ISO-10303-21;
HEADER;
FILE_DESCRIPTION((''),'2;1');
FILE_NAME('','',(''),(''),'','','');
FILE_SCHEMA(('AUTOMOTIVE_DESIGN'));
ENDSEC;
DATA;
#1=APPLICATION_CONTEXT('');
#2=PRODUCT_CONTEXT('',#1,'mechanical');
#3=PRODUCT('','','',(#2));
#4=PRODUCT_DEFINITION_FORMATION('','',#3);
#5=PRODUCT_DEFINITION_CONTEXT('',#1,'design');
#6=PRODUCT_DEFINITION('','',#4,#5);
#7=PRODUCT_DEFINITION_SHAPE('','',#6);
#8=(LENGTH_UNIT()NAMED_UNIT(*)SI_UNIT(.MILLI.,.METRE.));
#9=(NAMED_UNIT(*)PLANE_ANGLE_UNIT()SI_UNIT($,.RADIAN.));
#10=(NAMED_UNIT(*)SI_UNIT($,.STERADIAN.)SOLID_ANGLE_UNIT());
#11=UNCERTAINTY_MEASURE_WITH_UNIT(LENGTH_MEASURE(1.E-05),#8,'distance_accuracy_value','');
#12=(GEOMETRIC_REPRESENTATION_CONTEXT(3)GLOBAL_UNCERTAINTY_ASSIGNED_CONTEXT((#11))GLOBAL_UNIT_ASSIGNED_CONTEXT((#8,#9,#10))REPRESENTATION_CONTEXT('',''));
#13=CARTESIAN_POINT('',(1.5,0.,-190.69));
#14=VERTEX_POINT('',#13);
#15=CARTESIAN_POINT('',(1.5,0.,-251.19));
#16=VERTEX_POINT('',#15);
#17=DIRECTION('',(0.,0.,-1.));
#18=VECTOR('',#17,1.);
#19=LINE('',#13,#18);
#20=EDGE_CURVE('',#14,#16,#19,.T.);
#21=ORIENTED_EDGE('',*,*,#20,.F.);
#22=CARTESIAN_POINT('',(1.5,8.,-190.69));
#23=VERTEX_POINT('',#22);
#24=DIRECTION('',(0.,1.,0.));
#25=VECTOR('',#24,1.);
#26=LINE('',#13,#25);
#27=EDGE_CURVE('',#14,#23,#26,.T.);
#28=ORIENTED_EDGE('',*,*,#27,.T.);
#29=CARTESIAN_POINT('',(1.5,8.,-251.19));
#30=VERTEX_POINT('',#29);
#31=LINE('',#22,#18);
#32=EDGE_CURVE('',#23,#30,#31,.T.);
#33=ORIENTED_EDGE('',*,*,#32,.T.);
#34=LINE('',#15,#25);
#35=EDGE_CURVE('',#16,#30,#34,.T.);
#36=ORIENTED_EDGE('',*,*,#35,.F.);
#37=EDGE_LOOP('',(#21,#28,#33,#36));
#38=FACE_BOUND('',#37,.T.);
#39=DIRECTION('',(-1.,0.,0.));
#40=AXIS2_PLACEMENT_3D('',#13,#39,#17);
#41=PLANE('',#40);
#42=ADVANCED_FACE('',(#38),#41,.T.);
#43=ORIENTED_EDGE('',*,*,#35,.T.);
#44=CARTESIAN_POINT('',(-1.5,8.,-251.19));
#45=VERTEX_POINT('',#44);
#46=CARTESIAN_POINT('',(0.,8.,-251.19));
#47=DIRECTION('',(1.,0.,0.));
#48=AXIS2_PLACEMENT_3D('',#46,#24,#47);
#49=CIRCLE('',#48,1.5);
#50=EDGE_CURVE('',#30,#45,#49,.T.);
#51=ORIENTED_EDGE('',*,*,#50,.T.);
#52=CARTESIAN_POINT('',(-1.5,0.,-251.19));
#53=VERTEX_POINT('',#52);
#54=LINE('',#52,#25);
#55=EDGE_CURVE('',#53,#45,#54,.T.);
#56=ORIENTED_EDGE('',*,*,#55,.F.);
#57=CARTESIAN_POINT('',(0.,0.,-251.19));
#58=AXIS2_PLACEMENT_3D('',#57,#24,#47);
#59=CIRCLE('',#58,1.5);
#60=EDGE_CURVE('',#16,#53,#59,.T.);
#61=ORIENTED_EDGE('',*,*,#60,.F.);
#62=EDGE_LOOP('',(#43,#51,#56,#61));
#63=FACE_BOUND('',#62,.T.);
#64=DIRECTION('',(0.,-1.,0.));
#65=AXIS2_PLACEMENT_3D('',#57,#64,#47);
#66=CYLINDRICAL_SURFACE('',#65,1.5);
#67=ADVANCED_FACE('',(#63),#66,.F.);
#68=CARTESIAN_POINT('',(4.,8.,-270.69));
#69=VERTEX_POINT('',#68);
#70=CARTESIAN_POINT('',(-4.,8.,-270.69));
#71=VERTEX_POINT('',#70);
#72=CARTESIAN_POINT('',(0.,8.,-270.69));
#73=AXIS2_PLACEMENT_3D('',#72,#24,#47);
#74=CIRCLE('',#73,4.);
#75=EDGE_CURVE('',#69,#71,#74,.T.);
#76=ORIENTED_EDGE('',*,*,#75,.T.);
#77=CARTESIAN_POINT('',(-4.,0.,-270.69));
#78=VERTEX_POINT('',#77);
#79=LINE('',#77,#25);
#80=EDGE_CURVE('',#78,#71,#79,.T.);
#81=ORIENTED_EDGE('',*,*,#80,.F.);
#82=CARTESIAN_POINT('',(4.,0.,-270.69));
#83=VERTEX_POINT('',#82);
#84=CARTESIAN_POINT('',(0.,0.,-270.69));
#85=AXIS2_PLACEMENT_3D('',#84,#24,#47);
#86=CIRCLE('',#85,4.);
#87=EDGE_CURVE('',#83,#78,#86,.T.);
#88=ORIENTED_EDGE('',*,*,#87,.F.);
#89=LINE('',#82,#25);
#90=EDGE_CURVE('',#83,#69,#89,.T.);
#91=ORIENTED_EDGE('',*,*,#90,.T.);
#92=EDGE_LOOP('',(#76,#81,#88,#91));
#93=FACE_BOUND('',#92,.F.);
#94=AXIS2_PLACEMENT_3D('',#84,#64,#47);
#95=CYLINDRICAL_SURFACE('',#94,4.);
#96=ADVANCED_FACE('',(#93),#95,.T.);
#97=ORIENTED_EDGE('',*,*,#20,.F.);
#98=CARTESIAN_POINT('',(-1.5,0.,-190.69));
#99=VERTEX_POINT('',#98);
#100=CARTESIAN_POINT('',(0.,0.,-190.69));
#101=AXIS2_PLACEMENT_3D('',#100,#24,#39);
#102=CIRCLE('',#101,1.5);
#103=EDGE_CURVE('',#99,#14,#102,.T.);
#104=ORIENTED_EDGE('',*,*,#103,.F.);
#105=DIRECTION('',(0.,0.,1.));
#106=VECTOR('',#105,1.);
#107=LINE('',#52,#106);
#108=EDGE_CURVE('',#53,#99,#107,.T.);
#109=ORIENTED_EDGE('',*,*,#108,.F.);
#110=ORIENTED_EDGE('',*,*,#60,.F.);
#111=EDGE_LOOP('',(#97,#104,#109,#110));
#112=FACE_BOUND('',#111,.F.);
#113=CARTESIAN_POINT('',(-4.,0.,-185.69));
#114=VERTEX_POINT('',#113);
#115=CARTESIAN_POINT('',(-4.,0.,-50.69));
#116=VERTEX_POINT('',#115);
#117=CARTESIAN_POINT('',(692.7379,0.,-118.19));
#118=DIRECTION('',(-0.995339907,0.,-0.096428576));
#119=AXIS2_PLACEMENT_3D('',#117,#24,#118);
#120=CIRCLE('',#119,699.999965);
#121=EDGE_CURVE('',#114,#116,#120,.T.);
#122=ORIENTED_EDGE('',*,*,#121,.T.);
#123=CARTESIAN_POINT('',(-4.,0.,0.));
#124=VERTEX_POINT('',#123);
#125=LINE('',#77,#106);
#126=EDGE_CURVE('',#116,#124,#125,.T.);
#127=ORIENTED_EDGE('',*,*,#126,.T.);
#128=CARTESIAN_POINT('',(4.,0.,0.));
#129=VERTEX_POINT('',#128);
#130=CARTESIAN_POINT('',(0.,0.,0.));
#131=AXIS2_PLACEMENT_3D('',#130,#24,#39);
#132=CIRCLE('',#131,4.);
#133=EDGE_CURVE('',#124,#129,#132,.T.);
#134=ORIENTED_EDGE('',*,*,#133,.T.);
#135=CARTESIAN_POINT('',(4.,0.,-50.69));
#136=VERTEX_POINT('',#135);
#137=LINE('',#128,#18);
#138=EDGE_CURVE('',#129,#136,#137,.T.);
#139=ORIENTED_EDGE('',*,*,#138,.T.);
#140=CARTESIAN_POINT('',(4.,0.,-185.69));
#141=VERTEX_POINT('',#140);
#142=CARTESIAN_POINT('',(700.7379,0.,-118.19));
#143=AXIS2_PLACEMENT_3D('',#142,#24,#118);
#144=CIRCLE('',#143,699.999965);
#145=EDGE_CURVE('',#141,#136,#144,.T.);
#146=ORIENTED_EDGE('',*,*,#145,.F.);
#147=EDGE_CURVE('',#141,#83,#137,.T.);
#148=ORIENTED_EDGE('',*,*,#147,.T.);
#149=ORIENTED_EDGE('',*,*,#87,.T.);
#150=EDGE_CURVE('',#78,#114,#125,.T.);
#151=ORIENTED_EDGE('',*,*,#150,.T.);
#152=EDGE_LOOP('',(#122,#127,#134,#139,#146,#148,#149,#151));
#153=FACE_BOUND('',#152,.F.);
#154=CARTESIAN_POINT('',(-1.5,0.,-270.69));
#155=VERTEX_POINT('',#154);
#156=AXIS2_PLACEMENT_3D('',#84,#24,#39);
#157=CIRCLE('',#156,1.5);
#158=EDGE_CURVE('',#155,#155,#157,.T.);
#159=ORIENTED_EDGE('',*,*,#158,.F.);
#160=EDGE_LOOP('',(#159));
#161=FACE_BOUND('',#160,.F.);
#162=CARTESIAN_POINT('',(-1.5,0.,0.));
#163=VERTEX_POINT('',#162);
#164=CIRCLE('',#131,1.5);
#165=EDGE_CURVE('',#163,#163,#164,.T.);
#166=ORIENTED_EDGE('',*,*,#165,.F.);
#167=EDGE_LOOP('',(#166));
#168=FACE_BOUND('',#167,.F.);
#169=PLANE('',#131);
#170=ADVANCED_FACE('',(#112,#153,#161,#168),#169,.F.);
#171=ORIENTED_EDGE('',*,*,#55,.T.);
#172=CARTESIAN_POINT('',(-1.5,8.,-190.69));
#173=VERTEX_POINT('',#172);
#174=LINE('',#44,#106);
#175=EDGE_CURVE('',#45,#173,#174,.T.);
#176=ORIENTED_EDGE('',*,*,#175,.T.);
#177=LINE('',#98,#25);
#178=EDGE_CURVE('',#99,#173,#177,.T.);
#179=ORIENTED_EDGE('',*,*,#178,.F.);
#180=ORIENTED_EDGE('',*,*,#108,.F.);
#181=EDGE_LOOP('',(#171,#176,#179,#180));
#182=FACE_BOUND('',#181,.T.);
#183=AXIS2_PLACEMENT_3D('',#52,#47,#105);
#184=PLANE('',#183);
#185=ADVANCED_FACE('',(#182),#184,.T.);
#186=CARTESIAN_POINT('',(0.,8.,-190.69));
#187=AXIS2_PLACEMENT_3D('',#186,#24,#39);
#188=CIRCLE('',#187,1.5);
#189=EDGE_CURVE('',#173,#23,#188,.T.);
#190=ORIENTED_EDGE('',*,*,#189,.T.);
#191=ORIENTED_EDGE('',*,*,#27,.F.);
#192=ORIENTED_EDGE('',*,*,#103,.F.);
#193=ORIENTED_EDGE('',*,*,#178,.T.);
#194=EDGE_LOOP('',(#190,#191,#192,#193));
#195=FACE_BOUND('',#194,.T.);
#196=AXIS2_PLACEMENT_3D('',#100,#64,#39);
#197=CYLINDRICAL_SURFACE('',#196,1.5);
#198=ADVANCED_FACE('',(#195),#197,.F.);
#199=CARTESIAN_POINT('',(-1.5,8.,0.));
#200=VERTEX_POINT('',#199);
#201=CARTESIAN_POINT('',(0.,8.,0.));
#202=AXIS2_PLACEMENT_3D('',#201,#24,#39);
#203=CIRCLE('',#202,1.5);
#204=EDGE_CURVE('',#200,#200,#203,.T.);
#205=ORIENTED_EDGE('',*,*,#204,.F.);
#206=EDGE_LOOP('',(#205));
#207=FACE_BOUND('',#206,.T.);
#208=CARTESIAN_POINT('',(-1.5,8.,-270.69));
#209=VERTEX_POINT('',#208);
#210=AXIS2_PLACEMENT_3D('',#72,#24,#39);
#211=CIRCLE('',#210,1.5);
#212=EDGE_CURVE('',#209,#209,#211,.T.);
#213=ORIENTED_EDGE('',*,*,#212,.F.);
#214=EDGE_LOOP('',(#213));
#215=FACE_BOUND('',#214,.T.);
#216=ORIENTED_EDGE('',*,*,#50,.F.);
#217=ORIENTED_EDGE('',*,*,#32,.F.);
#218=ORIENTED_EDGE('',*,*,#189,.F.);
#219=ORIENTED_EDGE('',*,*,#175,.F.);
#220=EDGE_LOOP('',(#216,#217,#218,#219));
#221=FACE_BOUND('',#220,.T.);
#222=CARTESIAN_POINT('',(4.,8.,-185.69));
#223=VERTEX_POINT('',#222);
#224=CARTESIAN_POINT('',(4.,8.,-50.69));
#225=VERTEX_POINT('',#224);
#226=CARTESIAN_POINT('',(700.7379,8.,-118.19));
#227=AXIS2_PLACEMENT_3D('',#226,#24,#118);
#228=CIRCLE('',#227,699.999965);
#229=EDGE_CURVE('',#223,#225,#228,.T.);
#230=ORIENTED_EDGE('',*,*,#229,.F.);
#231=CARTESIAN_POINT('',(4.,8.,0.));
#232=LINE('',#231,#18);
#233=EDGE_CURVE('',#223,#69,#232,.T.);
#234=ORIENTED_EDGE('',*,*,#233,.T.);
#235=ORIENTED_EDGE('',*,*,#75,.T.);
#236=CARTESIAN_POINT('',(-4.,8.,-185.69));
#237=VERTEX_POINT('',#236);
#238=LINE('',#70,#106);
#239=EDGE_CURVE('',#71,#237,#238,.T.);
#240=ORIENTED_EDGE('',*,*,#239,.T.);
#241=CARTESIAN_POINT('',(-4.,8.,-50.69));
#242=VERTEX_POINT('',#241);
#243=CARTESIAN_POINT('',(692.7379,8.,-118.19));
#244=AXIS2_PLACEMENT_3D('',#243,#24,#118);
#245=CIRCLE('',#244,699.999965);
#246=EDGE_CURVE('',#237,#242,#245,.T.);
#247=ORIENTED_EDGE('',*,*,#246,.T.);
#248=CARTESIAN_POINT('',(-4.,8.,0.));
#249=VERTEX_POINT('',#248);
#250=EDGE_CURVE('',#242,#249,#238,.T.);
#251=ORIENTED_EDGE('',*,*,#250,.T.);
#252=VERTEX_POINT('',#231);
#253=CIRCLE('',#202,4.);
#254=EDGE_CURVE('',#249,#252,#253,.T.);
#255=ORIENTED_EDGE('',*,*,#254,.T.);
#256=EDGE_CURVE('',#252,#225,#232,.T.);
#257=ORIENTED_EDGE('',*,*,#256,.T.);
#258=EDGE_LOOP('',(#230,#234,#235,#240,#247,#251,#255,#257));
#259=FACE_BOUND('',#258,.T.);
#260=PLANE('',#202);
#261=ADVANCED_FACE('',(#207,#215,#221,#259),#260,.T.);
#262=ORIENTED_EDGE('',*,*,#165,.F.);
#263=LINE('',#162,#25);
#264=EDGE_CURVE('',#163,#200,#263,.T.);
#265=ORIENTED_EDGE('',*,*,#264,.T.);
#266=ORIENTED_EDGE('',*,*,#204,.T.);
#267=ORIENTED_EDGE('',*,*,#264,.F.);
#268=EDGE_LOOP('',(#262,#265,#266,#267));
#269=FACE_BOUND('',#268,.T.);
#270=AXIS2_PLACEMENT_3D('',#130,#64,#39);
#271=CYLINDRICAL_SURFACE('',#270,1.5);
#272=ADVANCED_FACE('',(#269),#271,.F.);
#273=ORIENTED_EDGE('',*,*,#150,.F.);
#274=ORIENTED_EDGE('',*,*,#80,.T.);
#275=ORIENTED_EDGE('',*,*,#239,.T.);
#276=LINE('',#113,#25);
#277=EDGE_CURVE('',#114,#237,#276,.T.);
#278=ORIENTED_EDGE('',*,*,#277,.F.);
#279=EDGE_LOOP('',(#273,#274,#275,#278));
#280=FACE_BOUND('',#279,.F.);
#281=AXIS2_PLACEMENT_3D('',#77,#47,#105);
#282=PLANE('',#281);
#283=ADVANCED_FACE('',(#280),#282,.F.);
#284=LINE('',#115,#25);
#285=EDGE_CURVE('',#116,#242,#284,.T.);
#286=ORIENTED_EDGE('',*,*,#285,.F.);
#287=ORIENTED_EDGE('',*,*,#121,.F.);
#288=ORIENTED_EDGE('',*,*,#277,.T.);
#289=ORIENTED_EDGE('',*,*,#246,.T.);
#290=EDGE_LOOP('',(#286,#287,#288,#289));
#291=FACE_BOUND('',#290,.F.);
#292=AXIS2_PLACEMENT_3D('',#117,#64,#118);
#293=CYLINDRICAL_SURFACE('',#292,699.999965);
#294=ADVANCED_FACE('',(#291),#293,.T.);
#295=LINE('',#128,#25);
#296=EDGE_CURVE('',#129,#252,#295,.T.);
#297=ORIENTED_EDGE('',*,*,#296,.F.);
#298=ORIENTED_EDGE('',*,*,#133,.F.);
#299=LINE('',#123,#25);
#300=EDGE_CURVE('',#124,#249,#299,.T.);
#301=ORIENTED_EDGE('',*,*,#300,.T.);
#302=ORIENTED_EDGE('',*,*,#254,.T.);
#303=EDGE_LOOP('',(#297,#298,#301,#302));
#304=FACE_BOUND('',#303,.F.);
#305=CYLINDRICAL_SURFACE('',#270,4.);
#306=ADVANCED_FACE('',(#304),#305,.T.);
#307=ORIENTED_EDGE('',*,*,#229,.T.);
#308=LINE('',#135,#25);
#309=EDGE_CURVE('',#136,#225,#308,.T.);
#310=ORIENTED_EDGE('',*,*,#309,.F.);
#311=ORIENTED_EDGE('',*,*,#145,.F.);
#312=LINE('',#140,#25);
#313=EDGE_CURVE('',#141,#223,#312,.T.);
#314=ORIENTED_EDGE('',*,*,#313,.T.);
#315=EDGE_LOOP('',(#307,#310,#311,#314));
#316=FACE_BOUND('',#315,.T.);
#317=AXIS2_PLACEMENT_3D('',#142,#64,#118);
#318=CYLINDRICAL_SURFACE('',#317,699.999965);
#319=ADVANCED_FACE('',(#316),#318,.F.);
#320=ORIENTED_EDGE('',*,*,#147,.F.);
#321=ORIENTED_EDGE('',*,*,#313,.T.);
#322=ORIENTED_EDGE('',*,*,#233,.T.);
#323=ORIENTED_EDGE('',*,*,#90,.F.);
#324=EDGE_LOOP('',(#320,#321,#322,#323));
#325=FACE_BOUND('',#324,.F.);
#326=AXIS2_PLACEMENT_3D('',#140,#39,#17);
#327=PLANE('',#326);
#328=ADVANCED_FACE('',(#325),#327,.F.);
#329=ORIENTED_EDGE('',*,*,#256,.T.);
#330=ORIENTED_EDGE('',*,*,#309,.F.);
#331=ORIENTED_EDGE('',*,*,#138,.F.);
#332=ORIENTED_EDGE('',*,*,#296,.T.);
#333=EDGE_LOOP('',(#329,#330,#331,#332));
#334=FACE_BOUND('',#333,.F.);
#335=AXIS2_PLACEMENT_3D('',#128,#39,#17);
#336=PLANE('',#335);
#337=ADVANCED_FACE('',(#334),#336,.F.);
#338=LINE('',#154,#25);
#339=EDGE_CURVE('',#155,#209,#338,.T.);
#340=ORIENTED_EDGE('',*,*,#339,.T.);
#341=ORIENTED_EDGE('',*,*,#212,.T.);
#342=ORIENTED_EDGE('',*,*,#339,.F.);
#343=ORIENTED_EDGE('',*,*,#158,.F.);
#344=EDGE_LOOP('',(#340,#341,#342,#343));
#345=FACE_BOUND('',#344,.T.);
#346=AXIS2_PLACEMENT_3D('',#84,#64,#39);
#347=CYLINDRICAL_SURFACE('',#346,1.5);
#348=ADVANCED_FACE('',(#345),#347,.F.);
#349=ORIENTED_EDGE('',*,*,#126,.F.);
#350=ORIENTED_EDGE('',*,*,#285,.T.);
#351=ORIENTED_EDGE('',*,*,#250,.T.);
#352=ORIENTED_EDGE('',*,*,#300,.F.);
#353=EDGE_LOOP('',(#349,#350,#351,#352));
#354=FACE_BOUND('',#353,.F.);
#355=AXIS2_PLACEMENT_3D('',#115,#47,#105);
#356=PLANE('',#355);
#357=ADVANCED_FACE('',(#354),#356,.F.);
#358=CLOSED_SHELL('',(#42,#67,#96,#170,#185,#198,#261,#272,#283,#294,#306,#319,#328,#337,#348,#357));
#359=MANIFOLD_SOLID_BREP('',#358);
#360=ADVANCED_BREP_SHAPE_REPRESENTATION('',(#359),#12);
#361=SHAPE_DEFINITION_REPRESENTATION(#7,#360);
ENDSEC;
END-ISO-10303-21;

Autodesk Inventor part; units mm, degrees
ref_plane "XZ Plane" through (0, 0, 0) normal (0, 1, 0) x (-1, 0, 0)
ref_plane "XY Plane" through (0, 0, 0) normal (0, 0, 1) x (1, 0, 0)
sketch "Sketch1" plane through (0, 0, 0) normal (0, 1, 0) x (-1, 0, 0)
  line L0 (0, 0) -> (0, -270.69) construction
  line L1 (-4, 0) -> (-4, -270.69)
  line L2 (4, -270.69) -> (4, 0)
  arc A0 (4, 0) -> (-4, 0) centre (0, 0) ccw
  arc A1 (-4, -270.69) -> (4, -270.69) centre (0, -270.69) ccw
  circle A2 centre (0, 0) radius 1.5
  circle A3 centre (0, -270.69) radius 1.5
  line L3 (0, -251.19) -> (0, -190.69) construction
  line L4 (1.5, -251.19) -> (1.5, -190.69)
  line L5 (-1.5, -190.69) -> (-1.5, -251.19)
  arc A4 (-1.5, -251.19) -> (1.5, -251.19) centre (0, -251.19) ccw
  arc A5 (1.5, -190.69) -> (-1.5, -190.69) centre (0, -190.69) ccw
  arc A6 (-4, -185.69) -> (-4, -50.69) centre (-700.7379, -118.19) ccw
  arc A7 (4, -185.69) -> (4, -50.69) centre (-692.7379, -118.19) ccw
  point P0 (0, -135.345)
  point P1 (0, -220.94)
  dimension "d0" = 270.69
  dimension "d1" = 8
  dimension "d2" = 3
  dimension "d3" = 3
  dimension "d10" = 3
  dimension "d11" = 19.5
  dimension "d12" = 80
  dimension "d13" = 85
  dimension "d14" = 220
  dimension "d15" = 700
  dimension "d16" = 700
extrude "Extrusion1" add sketch "Sketch1" along normal blind 8 contours A0 L2 A1 L1 A6 | A7 L2
sketch "Sketch2" plane through (0, 0, 0) normal (0, -1, 0) x (1, 0, 0)
  line L0 (4, 0) -> (4, -50.69) projected
  arc A0 (4, 0) -> (-4, 0) centre (0, 0) ccw projected
  line L1 (-4, -50.69) -> (-4, 0) projected
  arc A1 (-4, -50.69) -> (-4, -185.69) centre (692.7379, -118.19) ccw projected
  line L2 (-4, -270.69) -> (-4, -185.69) projected
  arc A2 (-4, -270.69) -> (4, -270.69) centre (0, -270.69) ccw projected
  line L3 (4, -185.69) -> (4, -270.69) projected
  arc A3 (4, -50.69) -> (4, -185.69) centre (700.7379, -118.19) ccw projected
  circle A4 centre (0, 0) radius 1.5 projected
  circle A5 centre (0, -270.69) radius 1.5 projected
  arc A6 (-1.5, -251.19) -> (1.5, -251.19) centre (0, -251.19) ccw projected
  line L4 (-1.5, -190.69) -> (-1.5, -251.19) projected
  arc A7 (1.5, -190.69) -> (-1.5, -190.69) centre (0, -190.69) ccw projected
  line L5 (1.5, -251.19) -> (1.5, -190.69) projected
sketch "Sketch3" plane through (0, 8, 0) normal (0, 1, 0) x (1, 0, 0)
  line L0 (-41.336, 299.9474) -> (32.3712, 299.9474)
  line L1 (32.3712, 299.9474) -> (32.3712, 128.1205)
  line L2 (32.3712, 128.1205) -> (-41.336, 128.1205)
  line L3 (-41.336, 128.1205) -> (-41.336, 299.9474)
  line L4 (-75.6075, 328.1158) -> (61.009, 328.1158)
  line L5 (61.009, 328.1158) -> (61.009, -56.3822)
  line L6 (61.009, -56.3822) -> (-75.6075, -56.3822)
  line L7 (-75.6075, -56.3822) -> (-75.6075, 328.1158)
  point P0 (0, 0)
